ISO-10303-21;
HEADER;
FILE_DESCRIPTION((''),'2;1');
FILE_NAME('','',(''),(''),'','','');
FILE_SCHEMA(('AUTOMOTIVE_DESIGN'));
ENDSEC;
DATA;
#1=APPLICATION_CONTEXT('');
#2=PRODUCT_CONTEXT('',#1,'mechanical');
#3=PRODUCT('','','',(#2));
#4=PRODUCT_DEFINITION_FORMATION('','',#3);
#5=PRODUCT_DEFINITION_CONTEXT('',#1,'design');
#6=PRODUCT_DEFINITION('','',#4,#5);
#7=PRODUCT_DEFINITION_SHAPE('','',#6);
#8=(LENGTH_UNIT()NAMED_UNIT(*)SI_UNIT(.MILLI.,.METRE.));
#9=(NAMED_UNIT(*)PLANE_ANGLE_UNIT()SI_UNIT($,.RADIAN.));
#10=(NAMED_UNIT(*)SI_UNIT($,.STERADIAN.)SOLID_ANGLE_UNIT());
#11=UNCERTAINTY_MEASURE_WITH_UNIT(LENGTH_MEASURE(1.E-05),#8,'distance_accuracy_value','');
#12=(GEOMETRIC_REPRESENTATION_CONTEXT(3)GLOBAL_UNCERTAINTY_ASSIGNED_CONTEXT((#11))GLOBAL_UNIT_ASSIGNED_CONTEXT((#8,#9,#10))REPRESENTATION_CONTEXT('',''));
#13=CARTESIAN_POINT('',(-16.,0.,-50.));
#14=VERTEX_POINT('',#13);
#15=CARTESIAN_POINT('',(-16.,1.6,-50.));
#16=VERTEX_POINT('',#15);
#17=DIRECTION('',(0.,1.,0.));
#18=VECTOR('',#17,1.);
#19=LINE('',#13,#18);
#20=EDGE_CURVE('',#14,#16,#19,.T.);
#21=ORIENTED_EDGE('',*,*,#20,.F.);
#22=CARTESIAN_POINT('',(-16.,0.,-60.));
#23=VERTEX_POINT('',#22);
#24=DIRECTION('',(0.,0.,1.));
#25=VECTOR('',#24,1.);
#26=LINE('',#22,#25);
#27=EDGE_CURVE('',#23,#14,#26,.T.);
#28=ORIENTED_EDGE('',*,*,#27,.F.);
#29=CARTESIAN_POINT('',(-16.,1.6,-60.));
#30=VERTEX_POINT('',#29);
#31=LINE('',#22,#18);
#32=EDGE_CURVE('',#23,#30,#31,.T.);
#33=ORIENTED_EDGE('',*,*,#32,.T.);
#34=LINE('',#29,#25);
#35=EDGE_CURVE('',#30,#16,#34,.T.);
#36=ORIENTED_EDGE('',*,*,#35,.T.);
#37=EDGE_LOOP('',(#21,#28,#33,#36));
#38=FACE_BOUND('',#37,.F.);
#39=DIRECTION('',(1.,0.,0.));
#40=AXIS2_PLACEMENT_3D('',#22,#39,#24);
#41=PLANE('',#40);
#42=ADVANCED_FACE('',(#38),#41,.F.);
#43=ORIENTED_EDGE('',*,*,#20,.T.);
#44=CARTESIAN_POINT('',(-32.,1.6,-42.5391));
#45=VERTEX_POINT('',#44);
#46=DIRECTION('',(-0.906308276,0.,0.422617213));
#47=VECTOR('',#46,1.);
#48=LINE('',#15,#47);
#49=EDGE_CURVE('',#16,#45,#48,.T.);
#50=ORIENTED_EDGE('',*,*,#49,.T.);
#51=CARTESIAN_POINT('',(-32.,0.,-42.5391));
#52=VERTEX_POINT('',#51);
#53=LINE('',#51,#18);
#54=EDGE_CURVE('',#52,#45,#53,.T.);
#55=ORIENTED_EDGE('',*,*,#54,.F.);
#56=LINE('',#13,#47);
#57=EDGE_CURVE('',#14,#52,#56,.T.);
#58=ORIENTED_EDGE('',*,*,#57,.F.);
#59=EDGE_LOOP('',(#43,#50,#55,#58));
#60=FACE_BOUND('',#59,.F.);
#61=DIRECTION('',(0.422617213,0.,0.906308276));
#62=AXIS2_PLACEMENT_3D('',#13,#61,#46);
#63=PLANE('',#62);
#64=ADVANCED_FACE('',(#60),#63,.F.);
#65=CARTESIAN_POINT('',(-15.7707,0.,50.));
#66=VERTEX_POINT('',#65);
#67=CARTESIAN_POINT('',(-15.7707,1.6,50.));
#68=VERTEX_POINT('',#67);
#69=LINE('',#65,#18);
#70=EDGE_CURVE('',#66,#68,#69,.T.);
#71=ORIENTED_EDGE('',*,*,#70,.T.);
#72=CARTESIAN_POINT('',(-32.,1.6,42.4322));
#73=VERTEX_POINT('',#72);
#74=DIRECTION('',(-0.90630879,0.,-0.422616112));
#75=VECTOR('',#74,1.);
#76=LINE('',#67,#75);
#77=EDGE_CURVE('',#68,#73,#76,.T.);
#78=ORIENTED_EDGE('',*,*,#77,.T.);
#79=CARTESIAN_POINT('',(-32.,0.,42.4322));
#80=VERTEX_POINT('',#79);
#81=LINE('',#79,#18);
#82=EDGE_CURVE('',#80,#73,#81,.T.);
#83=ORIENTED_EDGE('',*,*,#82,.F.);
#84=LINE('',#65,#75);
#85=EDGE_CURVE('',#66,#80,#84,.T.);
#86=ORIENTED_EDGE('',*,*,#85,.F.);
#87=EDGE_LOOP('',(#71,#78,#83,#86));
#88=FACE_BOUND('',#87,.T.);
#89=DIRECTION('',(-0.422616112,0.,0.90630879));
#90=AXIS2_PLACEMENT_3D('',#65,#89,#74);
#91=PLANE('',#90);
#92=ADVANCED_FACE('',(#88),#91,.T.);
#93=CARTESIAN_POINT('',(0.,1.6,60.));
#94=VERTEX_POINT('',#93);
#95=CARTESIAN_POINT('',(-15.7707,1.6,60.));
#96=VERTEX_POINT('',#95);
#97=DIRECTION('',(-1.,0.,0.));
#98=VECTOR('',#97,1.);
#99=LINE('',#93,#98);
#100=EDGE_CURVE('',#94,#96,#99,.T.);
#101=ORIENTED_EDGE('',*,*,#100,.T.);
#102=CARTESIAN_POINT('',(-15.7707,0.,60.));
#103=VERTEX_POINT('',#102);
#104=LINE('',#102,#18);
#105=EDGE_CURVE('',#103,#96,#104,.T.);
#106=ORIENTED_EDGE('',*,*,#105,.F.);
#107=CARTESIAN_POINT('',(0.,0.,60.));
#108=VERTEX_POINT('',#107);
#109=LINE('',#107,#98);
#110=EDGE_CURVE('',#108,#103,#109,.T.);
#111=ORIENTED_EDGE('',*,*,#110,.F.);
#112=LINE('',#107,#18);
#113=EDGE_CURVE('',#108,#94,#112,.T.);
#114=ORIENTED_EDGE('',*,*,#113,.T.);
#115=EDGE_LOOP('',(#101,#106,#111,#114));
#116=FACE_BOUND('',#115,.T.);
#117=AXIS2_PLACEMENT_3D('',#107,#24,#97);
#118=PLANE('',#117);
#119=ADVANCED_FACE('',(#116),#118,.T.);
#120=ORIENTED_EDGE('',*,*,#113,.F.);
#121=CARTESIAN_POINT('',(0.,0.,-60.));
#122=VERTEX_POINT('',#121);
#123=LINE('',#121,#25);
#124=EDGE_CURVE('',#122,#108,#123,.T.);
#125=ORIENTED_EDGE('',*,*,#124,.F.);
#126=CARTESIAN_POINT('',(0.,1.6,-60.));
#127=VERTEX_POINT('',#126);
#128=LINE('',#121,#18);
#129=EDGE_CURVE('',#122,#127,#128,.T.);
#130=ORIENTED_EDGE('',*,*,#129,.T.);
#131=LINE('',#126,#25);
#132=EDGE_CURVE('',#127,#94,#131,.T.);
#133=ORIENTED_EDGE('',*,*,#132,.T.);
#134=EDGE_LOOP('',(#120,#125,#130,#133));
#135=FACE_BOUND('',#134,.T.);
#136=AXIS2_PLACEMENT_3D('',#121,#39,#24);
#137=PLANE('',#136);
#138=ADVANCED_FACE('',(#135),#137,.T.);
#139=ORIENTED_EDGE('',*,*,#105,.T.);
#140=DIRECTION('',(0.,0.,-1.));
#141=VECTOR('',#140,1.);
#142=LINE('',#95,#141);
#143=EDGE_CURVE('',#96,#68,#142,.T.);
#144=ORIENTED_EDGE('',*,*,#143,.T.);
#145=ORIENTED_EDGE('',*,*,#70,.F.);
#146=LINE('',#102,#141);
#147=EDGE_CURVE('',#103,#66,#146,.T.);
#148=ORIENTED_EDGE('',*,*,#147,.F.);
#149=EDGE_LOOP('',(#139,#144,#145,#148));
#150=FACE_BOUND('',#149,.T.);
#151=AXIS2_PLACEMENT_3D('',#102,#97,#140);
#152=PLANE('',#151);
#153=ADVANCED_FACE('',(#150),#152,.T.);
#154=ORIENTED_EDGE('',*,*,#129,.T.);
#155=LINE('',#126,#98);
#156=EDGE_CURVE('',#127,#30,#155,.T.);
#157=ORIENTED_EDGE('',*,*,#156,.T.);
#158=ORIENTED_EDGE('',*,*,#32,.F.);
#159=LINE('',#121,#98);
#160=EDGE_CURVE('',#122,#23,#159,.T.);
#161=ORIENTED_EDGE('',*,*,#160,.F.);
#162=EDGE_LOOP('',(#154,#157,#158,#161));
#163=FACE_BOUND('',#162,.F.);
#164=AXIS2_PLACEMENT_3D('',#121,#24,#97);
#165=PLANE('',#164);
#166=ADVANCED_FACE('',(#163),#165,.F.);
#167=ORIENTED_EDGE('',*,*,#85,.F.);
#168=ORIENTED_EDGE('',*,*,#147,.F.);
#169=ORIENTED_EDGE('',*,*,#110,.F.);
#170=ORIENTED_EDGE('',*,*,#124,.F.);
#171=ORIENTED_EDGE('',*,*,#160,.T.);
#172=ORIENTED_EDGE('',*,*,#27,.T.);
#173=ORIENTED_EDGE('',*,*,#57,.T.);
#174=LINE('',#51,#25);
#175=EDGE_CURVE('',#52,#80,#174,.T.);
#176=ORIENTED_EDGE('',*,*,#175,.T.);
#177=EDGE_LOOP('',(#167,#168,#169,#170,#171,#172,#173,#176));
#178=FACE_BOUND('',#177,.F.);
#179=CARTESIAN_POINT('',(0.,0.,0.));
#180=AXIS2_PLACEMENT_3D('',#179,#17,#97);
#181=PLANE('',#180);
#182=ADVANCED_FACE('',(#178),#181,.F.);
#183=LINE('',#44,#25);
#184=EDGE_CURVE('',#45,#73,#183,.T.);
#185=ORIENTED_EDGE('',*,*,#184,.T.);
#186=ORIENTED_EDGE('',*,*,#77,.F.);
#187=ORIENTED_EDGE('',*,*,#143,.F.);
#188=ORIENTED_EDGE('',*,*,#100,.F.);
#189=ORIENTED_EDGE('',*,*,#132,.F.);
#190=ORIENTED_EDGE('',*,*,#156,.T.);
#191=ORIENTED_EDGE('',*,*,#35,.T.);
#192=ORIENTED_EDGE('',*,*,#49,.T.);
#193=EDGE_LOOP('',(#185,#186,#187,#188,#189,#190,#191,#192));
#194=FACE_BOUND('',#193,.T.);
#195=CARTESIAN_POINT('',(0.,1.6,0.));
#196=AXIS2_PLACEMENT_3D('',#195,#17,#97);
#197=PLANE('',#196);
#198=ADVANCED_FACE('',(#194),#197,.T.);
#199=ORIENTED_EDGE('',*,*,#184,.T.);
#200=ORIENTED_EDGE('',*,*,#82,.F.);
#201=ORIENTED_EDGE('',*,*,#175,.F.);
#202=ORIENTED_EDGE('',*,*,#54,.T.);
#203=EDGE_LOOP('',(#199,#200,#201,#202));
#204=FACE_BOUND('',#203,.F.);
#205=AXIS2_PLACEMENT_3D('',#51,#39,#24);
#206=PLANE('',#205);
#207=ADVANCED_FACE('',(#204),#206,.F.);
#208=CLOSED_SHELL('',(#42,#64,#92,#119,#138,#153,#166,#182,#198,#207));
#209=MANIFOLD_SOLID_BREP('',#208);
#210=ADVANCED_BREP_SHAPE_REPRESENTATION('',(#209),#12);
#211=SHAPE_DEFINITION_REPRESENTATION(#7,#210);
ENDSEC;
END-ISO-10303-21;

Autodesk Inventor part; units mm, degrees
ref_plane "YZ Plane" through (0, 0, 0) normal (1, 0, 0) x (0, 1, 0)
ref_plane "XZ Plane" through (0, 0, 0) normal (0, 1, 0) x (-1, 0, 0)
ref_plane "XY Plane" through (0, 0, 0) normal (0, 0, 1) x (1, 0, 0)
sketch "Sketch1" plane through (0, 0, 0) normal (0, 1, 0) x (-1, 0, 0)
  line L0 (0, -60) -> (16, -60)
  line L1 (16, -60) -> (16, -50)
  line L2 (16, -50) -> (32, -42.5391)
  line L3 (0, -60) -> (0, 60)
  line L4 (0, 60) -> (15.7707, 60)
  line L5 (15.7707, 60) -> (15.7707, 50)
  line L6 (15.7707, 50) -> (32, 42.4322)
  line L7 (32, -42.5391) -> (32, 42.4322)
  point P0 (0, 0)
  point P1 (-7.9734, 0)
  dimension "d0" = 115
  dimension "d1" = 120
  dimension "d2" = 10
  dimension "d3" = 10
  dimension "d4" = 16
  dimension "d5" = 115
  dimension "d6" = 60
  dimension "d7" = 16
extrude "Extrusion1" add sketch "Sketch1" along normal blind 1.6
equation "\"d3\" = d2"
equation "\"d5\" = d0"
equation "\"d6\" = 0.5 * d1"
properties part number "2020-04-02-10-10201-Outline_UpperPCB" material "ABS Plastic"
